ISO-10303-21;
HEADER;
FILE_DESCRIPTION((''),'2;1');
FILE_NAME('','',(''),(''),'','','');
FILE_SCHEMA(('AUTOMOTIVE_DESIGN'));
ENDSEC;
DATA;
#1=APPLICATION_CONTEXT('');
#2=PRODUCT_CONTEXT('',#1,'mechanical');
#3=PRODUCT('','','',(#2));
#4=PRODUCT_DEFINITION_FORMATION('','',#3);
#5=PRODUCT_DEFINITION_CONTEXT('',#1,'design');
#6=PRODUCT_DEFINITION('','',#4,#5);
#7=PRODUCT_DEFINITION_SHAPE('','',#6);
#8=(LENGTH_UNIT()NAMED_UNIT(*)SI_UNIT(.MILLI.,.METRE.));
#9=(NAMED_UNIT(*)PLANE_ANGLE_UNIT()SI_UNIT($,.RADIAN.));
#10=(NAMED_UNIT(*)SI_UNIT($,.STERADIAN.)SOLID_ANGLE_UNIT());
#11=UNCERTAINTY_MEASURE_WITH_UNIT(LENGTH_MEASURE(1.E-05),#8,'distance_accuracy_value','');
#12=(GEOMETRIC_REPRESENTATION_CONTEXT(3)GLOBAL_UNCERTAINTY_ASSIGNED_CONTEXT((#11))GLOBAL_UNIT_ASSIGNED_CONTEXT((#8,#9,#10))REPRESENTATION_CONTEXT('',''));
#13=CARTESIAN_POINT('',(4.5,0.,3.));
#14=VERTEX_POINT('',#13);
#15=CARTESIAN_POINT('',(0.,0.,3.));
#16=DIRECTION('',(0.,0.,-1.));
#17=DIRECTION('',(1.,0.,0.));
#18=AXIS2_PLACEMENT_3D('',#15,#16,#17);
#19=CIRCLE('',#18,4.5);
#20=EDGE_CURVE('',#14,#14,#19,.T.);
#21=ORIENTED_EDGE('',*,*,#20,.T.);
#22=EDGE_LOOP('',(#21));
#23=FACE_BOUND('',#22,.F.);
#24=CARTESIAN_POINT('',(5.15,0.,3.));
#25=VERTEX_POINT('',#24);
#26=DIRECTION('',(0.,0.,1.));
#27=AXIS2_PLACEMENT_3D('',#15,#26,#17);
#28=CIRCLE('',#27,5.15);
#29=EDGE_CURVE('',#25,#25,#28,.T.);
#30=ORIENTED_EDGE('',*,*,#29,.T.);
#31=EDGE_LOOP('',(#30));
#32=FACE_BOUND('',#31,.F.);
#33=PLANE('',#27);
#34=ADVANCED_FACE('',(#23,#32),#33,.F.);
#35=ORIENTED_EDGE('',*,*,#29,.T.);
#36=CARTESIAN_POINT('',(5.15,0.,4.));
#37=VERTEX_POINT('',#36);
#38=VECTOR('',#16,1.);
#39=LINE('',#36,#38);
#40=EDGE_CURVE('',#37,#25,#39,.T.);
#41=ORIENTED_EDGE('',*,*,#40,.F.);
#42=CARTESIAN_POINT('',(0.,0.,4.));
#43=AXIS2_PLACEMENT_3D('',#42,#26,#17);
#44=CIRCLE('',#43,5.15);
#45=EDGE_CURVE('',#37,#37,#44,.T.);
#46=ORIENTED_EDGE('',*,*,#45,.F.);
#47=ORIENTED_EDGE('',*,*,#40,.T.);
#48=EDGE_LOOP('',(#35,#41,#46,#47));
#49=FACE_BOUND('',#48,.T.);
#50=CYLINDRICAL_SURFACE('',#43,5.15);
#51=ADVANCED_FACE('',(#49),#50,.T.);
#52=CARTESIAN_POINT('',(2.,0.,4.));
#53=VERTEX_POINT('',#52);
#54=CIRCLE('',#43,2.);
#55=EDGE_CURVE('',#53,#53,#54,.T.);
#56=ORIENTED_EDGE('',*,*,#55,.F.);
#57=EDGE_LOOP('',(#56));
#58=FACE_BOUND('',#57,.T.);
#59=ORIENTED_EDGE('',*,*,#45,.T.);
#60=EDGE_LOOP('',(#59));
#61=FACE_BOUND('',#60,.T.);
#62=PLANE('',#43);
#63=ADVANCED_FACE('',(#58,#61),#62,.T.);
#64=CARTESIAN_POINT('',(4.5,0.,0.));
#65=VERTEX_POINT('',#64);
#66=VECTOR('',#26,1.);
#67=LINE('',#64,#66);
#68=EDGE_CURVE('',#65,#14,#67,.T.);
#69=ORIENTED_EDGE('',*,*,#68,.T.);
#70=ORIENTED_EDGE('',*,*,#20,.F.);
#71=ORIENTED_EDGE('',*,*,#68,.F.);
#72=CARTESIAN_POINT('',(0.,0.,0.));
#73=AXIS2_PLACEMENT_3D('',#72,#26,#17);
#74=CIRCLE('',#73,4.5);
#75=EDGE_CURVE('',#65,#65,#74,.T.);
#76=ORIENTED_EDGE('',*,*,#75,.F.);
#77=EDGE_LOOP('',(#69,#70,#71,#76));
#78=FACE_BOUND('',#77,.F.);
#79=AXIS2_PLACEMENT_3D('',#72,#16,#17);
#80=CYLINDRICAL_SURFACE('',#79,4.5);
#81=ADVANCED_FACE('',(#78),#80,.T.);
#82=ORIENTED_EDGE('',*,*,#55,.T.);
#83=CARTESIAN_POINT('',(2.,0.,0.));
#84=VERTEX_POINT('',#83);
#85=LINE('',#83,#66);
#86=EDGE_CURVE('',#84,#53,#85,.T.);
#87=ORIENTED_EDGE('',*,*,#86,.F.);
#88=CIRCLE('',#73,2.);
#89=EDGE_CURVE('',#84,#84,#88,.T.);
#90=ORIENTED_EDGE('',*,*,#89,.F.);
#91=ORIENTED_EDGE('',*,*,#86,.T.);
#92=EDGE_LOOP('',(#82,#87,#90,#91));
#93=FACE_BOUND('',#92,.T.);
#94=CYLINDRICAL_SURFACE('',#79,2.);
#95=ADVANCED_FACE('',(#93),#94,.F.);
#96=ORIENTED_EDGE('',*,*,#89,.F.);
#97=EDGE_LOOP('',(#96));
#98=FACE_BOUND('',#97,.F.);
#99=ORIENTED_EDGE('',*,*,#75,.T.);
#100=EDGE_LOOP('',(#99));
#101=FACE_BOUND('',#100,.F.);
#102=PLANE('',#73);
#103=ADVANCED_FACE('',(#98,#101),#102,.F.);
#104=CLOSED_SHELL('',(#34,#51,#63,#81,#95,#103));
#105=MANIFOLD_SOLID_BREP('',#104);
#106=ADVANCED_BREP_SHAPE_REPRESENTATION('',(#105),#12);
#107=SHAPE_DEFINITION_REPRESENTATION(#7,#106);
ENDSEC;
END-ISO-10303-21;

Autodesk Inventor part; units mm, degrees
ref_plane "YZ Plane" through (0, 0, 0) normal (1, 0, 0) x (0, 1, 0)
ref_plane "XZ Plane" through (0, 0, 0) normal (0, 1, 0) x (-1, 0, 0)
ref_plane "XY Plane" through (0, 0, 0) normal (0, 0, 1) x (1, 0, 0)
sketch "スケッチ1" plane through (0, 0, 0) normal (0, 0, 1) x (1, 0, 0)
  circle A0 centre (0, 0) radius 2
  circle A1 centre (0, 0) radius 4.5
  dimension "d0" = 4
  dimension "d1" = 9
extrude "押し出し1" add sketch "スケッチ1" along normal blind 4
sketch "スケッチ2" plane through (0, 0, 4) normal (0, 0, 1) x (1, 0, 0)
  circle A0 centre (0, 0) radius 2 projected
  circle A1 centre (0, 0) radius 5.15
  circle A2 centre (0, 0) radius 4.5 projected
  dimension "d8" = 10.3
extrude "押し出し2" add sketch "スケッチ2" against normal blind 1 contours A1 | A2
properties part number "ベアリングフランジ付き040904" material "鋼、高強度、低合金"
